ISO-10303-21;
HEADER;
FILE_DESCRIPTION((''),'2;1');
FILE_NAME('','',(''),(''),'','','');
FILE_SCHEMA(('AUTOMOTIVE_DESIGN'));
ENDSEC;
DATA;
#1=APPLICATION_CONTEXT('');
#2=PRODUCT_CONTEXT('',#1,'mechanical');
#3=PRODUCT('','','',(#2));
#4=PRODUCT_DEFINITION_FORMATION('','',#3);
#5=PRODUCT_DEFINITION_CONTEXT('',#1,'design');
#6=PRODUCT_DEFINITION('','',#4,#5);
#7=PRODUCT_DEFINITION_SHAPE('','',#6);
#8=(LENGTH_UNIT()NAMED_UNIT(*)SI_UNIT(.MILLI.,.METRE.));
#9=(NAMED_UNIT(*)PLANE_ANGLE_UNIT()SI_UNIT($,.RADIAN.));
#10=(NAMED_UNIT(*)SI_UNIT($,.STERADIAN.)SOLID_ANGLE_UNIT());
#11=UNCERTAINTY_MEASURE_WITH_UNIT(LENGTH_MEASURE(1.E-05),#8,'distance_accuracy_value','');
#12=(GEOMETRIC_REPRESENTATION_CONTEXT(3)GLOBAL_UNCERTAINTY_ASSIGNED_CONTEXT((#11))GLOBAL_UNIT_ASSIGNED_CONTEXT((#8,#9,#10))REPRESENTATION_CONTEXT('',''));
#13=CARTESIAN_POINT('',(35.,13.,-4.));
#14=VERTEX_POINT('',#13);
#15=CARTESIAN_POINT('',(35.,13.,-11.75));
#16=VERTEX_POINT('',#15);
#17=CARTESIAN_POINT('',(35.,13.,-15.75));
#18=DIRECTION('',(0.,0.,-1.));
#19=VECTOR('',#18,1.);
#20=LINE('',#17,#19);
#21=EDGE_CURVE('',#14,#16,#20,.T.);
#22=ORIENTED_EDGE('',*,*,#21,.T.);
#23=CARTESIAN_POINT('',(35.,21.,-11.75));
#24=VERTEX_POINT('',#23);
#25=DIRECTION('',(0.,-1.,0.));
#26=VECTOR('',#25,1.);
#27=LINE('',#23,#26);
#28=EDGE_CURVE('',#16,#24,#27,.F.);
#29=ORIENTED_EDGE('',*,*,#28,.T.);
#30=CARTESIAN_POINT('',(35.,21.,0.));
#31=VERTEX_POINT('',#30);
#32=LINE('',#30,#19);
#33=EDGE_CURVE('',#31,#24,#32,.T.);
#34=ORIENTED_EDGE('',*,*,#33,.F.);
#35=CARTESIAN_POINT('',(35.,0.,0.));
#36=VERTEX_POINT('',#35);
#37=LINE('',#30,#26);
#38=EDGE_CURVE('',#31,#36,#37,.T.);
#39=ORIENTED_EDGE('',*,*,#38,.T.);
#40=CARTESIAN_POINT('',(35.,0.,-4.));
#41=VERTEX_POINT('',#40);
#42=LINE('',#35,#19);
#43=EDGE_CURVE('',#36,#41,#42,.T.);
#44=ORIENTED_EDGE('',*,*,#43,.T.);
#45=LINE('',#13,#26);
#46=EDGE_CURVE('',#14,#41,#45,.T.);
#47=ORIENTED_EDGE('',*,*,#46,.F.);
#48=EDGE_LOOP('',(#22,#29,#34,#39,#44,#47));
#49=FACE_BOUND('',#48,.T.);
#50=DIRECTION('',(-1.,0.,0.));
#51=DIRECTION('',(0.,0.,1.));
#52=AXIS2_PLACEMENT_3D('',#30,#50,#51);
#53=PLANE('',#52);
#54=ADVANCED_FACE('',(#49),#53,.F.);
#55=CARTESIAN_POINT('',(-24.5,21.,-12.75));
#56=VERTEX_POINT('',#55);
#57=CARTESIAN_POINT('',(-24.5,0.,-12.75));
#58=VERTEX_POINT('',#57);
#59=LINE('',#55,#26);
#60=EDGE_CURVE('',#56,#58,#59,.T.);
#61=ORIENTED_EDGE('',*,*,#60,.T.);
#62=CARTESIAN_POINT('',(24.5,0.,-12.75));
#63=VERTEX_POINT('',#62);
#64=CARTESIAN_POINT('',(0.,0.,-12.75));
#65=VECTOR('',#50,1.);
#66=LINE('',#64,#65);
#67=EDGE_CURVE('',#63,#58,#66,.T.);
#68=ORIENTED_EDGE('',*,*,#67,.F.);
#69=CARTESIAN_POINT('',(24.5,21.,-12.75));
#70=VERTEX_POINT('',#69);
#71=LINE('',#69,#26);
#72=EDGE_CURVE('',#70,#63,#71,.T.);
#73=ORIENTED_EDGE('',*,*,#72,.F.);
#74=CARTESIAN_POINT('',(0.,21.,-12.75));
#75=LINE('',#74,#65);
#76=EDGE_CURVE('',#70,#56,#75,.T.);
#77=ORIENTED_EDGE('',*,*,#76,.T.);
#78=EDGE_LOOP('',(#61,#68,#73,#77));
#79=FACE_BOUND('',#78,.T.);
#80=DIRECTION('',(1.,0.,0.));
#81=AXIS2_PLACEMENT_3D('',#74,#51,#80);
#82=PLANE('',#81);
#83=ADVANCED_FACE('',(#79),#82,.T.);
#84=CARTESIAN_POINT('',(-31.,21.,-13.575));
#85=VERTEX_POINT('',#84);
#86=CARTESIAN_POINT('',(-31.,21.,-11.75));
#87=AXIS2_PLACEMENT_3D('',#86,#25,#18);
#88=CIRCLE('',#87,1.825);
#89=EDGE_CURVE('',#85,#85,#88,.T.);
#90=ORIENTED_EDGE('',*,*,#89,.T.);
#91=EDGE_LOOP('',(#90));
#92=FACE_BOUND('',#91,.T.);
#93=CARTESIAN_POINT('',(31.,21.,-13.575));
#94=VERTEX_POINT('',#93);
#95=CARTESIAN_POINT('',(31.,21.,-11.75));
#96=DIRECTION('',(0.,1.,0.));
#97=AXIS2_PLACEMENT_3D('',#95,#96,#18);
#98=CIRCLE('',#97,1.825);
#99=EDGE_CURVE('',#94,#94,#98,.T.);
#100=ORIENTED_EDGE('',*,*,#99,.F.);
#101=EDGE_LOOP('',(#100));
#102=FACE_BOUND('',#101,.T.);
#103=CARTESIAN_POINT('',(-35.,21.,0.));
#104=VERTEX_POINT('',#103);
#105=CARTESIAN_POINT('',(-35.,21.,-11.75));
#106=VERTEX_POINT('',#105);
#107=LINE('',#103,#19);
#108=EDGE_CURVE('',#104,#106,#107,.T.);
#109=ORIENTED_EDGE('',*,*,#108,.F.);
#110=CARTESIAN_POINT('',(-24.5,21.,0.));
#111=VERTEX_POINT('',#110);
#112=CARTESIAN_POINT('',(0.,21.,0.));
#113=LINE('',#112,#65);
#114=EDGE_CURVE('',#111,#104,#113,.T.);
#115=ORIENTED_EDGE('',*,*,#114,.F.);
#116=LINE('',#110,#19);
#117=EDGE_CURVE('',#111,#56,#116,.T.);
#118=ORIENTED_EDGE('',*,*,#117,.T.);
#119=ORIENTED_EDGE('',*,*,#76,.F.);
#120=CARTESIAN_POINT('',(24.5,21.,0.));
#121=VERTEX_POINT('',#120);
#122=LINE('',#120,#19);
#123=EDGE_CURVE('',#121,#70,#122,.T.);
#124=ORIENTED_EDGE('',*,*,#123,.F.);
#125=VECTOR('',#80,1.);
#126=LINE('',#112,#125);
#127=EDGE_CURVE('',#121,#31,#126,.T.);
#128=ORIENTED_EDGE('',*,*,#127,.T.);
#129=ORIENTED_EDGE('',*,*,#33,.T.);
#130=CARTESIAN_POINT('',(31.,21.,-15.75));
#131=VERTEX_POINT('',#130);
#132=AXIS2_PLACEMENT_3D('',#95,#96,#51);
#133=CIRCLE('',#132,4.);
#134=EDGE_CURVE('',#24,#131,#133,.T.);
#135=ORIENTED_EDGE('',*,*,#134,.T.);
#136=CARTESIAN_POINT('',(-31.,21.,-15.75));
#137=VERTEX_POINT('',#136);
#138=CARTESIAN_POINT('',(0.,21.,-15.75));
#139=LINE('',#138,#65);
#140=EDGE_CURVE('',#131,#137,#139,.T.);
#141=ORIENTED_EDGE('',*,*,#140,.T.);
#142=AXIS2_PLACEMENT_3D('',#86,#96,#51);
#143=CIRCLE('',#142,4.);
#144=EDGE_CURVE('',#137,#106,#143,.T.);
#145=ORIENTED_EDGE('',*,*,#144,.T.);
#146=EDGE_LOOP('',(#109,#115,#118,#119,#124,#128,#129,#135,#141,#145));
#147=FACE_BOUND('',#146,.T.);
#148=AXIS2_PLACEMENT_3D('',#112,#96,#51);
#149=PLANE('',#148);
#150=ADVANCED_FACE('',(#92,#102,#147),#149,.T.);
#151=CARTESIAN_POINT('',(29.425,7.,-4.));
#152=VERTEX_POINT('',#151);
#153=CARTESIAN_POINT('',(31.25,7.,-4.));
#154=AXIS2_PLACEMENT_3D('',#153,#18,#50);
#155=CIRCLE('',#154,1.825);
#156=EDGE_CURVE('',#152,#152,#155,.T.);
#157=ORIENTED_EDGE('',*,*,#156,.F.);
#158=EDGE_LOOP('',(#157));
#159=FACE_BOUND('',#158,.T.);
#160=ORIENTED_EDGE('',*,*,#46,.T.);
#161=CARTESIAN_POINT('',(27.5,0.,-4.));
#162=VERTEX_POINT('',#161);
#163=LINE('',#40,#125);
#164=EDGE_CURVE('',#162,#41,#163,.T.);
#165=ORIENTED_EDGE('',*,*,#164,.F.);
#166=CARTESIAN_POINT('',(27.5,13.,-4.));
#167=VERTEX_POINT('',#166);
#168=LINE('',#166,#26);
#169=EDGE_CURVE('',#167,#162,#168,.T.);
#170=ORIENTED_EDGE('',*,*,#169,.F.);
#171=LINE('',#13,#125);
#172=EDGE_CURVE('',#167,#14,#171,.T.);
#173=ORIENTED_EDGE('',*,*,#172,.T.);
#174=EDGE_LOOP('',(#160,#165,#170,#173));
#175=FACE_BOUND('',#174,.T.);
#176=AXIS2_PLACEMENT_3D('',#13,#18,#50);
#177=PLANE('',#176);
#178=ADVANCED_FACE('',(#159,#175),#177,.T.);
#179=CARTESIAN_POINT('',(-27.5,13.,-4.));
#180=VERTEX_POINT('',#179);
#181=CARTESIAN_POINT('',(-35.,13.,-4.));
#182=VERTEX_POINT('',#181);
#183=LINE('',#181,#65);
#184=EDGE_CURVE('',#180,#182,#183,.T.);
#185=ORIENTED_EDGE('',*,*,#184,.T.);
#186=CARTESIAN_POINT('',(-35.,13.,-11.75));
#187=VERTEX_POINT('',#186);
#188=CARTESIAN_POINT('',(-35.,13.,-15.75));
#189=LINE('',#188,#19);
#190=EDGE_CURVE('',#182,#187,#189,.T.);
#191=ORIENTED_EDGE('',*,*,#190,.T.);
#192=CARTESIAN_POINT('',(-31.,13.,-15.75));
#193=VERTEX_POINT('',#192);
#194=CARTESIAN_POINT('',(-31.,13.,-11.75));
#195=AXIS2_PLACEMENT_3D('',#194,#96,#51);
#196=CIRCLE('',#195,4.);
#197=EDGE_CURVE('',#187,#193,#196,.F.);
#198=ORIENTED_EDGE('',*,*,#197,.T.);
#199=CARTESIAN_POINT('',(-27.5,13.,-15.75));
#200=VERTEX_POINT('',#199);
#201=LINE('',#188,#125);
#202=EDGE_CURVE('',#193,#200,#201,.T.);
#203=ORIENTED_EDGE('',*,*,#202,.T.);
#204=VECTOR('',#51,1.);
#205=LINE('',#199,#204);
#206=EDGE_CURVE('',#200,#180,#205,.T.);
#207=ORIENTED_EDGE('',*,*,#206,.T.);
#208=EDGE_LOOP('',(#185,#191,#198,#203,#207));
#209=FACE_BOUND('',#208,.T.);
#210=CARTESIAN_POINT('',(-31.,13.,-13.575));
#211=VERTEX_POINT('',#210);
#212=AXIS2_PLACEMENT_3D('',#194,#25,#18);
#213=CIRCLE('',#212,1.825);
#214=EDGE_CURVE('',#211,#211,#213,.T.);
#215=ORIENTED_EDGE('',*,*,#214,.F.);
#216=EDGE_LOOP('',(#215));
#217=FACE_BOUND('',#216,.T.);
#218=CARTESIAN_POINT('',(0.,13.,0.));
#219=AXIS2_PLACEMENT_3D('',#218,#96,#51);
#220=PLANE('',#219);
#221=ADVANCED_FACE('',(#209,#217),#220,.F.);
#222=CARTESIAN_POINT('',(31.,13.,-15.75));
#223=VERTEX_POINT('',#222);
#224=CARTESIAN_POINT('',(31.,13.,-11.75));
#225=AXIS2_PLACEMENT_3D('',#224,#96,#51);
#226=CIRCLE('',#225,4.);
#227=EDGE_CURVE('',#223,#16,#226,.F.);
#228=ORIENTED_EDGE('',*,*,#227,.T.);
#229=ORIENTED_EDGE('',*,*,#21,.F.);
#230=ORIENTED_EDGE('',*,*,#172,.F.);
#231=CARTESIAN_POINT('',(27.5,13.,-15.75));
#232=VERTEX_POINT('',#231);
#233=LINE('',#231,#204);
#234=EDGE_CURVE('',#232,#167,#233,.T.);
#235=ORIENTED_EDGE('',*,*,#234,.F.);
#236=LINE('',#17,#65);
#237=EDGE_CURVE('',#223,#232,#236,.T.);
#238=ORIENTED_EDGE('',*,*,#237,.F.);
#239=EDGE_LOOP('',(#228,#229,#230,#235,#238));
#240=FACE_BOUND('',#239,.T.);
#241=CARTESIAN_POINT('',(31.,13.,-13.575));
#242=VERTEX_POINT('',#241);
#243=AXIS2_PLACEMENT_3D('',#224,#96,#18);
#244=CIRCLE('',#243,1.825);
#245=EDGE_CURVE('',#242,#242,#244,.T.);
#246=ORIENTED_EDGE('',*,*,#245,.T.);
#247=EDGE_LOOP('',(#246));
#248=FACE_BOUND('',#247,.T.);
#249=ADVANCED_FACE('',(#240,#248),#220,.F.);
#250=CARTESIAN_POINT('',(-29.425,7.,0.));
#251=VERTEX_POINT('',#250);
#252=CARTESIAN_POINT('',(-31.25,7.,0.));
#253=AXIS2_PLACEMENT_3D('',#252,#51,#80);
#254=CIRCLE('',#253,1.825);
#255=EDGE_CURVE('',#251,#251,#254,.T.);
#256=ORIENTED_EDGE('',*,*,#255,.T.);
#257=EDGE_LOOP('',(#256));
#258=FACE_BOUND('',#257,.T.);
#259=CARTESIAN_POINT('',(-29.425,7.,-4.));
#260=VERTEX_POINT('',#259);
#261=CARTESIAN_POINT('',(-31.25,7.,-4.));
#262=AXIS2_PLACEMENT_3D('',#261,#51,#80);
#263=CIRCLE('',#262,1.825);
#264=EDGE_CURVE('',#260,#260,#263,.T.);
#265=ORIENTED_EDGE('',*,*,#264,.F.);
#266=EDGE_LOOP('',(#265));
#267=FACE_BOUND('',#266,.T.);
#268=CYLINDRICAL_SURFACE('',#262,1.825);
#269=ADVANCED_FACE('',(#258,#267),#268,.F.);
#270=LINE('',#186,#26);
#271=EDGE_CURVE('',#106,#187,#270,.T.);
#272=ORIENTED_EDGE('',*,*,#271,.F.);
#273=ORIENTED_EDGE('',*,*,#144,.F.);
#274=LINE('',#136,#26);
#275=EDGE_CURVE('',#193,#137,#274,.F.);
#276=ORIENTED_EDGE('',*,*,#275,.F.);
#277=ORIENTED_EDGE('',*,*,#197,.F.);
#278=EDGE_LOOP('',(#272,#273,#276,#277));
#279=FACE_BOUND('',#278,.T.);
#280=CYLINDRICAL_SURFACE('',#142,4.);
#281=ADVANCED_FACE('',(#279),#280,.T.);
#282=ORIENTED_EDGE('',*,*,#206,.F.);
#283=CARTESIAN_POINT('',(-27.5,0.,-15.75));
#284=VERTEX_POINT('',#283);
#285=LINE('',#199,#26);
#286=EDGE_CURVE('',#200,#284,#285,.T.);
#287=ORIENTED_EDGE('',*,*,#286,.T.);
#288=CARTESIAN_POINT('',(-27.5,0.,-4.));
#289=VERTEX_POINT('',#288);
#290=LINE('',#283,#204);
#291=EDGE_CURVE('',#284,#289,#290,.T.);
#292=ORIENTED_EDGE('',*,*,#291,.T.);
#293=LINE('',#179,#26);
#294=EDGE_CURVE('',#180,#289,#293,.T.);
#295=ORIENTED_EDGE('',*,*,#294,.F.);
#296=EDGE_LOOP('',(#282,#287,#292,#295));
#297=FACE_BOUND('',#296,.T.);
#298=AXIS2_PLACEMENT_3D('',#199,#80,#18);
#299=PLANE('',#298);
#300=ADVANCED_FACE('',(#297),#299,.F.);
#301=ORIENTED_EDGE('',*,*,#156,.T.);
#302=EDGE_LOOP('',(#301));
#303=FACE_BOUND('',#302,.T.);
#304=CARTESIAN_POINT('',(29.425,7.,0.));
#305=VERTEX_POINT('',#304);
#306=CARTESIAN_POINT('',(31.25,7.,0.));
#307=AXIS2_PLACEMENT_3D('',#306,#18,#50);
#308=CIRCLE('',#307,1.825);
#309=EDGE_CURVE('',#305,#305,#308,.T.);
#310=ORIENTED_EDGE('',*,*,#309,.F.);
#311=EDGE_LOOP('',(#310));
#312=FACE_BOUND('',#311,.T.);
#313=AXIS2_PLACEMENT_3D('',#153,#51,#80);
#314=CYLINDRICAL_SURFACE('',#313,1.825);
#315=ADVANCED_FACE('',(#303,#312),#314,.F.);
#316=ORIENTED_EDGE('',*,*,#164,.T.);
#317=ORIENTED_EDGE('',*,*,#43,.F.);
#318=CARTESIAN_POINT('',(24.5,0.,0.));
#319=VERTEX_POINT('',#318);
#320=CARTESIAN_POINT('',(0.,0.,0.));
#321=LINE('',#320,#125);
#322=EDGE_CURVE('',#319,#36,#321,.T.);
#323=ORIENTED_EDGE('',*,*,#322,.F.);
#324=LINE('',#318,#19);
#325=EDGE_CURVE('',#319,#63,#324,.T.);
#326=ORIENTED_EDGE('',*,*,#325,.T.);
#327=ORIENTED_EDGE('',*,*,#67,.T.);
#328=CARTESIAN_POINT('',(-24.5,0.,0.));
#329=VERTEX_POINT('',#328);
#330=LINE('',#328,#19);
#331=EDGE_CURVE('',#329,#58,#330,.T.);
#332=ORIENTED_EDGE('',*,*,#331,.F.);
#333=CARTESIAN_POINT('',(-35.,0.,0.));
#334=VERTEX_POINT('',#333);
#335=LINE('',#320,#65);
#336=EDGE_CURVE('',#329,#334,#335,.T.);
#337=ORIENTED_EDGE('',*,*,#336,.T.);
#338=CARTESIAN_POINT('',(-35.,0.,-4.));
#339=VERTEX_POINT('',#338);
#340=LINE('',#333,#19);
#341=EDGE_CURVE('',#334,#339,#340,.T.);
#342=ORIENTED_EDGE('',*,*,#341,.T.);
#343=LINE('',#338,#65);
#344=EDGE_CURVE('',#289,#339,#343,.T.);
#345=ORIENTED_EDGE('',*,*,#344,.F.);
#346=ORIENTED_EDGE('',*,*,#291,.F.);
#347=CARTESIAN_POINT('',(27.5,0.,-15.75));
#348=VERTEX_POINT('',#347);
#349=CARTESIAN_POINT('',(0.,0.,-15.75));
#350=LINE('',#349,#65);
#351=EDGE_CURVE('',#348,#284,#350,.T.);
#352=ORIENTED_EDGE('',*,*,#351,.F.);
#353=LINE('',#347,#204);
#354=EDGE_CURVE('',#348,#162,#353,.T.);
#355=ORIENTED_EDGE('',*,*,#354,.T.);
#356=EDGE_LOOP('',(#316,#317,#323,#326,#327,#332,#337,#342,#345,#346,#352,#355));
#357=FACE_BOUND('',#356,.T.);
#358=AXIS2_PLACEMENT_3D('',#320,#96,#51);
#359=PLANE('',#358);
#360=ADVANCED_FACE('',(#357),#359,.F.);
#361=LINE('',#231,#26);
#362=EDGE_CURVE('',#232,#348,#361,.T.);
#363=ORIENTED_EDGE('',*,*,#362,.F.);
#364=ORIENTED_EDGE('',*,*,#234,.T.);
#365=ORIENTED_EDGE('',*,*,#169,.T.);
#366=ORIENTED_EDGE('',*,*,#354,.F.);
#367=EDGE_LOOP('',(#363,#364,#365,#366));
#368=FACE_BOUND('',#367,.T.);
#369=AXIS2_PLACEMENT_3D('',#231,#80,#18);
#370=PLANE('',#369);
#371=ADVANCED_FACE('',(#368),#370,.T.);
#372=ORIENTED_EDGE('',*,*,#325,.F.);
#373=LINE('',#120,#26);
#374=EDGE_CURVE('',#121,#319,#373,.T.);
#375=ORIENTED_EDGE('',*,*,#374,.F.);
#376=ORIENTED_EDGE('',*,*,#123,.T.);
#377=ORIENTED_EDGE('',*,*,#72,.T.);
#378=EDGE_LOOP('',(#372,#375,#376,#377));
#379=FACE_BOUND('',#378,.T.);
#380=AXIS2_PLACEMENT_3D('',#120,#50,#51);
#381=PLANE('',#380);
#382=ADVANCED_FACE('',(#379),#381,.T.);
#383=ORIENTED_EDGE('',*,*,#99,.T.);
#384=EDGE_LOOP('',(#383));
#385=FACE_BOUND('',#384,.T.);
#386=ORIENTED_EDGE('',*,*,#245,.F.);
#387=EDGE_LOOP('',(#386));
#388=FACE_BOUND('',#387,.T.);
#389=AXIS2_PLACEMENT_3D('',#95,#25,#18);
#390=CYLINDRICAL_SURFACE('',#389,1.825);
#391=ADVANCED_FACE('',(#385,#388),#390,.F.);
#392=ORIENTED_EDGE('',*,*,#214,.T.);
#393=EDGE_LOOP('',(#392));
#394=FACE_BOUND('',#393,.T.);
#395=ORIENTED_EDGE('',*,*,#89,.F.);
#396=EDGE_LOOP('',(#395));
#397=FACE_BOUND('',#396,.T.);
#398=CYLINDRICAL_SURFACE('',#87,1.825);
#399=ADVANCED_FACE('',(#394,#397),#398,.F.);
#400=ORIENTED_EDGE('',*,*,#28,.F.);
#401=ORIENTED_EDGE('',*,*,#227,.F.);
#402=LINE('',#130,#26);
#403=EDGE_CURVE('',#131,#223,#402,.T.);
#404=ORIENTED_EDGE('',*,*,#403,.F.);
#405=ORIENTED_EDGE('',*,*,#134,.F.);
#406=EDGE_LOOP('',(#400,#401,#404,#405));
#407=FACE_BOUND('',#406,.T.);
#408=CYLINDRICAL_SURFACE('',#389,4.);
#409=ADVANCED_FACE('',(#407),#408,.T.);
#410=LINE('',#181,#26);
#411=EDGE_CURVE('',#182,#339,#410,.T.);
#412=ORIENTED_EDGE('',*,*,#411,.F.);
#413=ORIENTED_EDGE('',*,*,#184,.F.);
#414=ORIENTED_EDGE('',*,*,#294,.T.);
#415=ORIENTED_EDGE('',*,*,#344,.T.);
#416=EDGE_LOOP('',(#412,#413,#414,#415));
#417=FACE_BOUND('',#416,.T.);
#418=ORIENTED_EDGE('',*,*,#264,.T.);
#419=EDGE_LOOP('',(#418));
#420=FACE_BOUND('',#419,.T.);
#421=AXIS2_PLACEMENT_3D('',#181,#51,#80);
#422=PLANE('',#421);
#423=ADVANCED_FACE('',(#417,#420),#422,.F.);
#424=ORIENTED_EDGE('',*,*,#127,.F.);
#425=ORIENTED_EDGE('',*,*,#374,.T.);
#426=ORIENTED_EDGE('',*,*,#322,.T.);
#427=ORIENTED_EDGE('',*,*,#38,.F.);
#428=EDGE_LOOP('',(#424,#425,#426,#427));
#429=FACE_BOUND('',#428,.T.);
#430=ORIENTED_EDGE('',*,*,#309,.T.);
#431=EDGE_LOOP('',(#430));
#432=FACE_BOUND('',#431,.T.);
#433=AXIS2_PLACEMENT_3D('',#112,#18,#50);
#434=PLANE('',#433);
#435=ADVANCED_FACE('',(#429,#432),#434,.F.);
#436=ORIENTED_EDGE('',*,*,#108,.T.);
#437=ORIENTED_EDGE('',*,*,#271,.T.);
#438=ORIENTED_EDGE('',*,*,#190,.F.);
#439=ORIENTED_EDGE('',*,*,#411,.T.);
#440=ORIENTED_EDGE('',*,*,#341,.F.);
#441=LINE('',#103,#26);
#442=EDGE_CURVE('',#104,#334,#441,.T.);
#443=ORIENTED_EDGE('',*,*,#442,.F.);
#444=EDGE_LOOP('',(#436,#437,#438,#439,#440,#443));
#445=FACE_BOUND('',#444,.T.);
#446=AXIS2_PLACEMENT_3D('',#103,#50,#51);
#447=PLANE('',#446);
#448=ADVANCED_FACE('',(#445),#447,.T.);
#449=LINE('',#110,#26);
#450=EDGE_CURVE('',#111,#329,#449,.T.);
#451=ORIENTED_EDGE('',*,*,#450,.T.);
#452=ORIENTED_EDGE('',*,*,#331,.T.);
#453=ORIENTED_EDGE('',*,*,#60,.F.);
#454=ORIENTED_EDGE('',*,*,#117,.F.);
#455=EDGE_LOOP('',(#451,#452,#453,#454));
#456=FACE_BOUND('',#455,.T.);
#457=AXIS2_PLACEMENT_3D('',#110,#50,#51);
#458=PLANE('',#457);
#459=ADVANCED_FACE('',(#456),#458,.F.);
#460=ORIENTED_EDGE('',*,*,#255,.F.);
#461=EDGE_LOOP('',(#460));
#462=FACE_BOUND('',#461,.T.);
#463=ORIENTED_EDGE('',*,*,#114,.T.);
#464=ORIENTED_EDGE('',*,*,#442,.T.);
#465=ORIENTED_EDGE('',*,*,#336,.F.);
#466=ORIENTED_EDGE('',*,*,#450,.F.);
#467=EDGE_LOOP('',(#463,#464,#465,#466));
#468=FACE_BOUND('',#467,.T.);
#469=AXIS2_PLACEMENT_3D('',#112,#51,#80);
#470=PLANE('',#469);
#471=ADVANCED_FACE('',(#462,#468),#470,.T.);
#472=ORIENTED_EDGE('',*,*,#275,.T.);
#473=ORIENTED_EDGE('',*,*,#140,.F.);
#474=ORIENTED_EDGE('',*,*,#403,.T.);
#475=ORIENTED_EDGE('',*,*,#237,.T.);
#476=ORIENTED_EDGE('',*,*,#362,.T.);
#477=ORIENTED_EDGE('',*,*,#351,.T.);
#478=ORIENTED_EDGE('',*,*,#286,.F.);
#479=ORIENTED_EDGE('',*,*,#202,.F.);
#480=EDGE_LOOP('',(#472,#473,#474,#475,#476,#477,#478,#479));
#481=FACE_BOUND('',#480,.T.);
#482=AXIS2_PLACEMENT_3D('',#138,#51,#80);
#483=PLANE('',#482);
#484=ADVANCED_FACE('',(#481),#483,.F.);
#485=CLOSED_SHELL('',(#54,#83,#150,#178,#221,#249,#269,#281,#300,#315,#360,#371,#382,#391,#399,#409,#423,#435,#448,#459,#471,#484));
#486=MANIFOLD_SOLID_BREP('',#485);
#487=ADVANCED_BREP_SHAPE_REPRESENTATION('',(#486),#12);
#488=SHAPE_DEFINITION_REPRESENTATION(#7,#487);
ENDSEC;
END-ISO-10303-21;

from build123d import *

# Parameters (mm, degrees)
BOSS_EXTRUDE1_DEPTH  = 21
SKETCH2_R            = 1.825
CUT_EXTRUDE1_DEPTH   = 4
SKETCH3_W            = 7.5
SKETCH3_H            = 11.75
CUT_EXTRUDE2_DEPTH   = 13
FILLET1_R            = 4
SKETCH5_R            = 1.825
CUT_EXTRUDE3_DEPTH   = 41.522370365
FILLET1_OF_MIRROR1_R = 4


with BuildPart() as part:
    # Sketch1 → Boss-Extrude1 (new body)
    with BuildSketch(Plane(origin=(0, 0, 0), x_dir=(1, 0, 0), z_dir=(0, 1, 0))):
        Polygon((-24.5, 0), (-24.5, 12.75), (0, 12.75), (0, 15.75), (-35, 15.75), (-35, 0), align=None)
    boss_extrude1 = extrude(amount=BOSS_EXTRUDE1_DEPTH)

    # Sketch2 → Cut-Extrude1 (cut)
    with BuildSketch(Plane.XY):
        with Locations((-31.25, 7)):
            Circle(SKETCH2_R)
    cut_extrude1 = extrude(amount=-CUT_EXTRUDE1_DEPTH, mode=Mode.SUBTRACT)

    # Sketch3 → Cut-Extrude2 (cut)
    with BuildSketch(Plane.XZ):
        with Locations((-31.25, -9.875)):
            Rectangle(SKETCH3_W, SKETCH3_H)
    cut_extrude2 = extrude(amount=-CUT_EXTRUDE2_DEPTH, mode=Mode.SUBTRACT)

    # Fillet1
    fillet1_edges = [part.edges().sort_by_distance(p)[0] for p in [
        (-35, 17, -15.75),
    ]]
    fillet(fillet1_edges, radius=FILLET1_R)

    # Sketch5 → Cut-Extrude3 (cut, through all)
    with BuildSketch(Plane.XZ.offset(-13)):
        with Locations(Location((-31, -11.75, 0), (0, 0, 270))):
            Circle(SKETCH5_R)
    cut_extrude3 = extrude(amount=-CUT_EXTRUDE3_DEPTH, mode=Mode.SUBTRACT)

    # Mirror1: Boss-Extrude1, Cut-Extrude1, Cut-Extrude2, Cut-Extrude3 across plane
    add(boss_extrude1.mirror(Plane(origin=(0, 21, 0), x_dir=(0, 0, 1), z_dir=(-1, 0, 0))))
    add(cut_extrude1.mirror(Plane(origin=(0, 21, 0), x_dir=(0, 0, 1), z_dir=(-1, 0, 0))), mode=Mode.SUBTRACT)
    add(cut_extrude2.mirror(Plane(origin=(0, 21, 0), x_dir=(0, 0, 1), z_dir=(-1, 0, 0))), mode=Mode.SUBTRACT)
    add(cut_extrude3.mirror(Plane(origin=(0, 21, 0), x_dir=(0, 0, 1), z_dir=(-1, 0, 0))), mode=Mode.SUBTRACT)

    # Fillet1 of Mirror1
    fillet1_of_mirror1_edges = [part.edges().sort_by_distance(p)[0] for p in [
        (35, 17, -15.75),
    ]]
    fillet(fillet1_of_mirror1_edges, radius=FILLET1_OF_MIRROR1_R)


solid = part.part
